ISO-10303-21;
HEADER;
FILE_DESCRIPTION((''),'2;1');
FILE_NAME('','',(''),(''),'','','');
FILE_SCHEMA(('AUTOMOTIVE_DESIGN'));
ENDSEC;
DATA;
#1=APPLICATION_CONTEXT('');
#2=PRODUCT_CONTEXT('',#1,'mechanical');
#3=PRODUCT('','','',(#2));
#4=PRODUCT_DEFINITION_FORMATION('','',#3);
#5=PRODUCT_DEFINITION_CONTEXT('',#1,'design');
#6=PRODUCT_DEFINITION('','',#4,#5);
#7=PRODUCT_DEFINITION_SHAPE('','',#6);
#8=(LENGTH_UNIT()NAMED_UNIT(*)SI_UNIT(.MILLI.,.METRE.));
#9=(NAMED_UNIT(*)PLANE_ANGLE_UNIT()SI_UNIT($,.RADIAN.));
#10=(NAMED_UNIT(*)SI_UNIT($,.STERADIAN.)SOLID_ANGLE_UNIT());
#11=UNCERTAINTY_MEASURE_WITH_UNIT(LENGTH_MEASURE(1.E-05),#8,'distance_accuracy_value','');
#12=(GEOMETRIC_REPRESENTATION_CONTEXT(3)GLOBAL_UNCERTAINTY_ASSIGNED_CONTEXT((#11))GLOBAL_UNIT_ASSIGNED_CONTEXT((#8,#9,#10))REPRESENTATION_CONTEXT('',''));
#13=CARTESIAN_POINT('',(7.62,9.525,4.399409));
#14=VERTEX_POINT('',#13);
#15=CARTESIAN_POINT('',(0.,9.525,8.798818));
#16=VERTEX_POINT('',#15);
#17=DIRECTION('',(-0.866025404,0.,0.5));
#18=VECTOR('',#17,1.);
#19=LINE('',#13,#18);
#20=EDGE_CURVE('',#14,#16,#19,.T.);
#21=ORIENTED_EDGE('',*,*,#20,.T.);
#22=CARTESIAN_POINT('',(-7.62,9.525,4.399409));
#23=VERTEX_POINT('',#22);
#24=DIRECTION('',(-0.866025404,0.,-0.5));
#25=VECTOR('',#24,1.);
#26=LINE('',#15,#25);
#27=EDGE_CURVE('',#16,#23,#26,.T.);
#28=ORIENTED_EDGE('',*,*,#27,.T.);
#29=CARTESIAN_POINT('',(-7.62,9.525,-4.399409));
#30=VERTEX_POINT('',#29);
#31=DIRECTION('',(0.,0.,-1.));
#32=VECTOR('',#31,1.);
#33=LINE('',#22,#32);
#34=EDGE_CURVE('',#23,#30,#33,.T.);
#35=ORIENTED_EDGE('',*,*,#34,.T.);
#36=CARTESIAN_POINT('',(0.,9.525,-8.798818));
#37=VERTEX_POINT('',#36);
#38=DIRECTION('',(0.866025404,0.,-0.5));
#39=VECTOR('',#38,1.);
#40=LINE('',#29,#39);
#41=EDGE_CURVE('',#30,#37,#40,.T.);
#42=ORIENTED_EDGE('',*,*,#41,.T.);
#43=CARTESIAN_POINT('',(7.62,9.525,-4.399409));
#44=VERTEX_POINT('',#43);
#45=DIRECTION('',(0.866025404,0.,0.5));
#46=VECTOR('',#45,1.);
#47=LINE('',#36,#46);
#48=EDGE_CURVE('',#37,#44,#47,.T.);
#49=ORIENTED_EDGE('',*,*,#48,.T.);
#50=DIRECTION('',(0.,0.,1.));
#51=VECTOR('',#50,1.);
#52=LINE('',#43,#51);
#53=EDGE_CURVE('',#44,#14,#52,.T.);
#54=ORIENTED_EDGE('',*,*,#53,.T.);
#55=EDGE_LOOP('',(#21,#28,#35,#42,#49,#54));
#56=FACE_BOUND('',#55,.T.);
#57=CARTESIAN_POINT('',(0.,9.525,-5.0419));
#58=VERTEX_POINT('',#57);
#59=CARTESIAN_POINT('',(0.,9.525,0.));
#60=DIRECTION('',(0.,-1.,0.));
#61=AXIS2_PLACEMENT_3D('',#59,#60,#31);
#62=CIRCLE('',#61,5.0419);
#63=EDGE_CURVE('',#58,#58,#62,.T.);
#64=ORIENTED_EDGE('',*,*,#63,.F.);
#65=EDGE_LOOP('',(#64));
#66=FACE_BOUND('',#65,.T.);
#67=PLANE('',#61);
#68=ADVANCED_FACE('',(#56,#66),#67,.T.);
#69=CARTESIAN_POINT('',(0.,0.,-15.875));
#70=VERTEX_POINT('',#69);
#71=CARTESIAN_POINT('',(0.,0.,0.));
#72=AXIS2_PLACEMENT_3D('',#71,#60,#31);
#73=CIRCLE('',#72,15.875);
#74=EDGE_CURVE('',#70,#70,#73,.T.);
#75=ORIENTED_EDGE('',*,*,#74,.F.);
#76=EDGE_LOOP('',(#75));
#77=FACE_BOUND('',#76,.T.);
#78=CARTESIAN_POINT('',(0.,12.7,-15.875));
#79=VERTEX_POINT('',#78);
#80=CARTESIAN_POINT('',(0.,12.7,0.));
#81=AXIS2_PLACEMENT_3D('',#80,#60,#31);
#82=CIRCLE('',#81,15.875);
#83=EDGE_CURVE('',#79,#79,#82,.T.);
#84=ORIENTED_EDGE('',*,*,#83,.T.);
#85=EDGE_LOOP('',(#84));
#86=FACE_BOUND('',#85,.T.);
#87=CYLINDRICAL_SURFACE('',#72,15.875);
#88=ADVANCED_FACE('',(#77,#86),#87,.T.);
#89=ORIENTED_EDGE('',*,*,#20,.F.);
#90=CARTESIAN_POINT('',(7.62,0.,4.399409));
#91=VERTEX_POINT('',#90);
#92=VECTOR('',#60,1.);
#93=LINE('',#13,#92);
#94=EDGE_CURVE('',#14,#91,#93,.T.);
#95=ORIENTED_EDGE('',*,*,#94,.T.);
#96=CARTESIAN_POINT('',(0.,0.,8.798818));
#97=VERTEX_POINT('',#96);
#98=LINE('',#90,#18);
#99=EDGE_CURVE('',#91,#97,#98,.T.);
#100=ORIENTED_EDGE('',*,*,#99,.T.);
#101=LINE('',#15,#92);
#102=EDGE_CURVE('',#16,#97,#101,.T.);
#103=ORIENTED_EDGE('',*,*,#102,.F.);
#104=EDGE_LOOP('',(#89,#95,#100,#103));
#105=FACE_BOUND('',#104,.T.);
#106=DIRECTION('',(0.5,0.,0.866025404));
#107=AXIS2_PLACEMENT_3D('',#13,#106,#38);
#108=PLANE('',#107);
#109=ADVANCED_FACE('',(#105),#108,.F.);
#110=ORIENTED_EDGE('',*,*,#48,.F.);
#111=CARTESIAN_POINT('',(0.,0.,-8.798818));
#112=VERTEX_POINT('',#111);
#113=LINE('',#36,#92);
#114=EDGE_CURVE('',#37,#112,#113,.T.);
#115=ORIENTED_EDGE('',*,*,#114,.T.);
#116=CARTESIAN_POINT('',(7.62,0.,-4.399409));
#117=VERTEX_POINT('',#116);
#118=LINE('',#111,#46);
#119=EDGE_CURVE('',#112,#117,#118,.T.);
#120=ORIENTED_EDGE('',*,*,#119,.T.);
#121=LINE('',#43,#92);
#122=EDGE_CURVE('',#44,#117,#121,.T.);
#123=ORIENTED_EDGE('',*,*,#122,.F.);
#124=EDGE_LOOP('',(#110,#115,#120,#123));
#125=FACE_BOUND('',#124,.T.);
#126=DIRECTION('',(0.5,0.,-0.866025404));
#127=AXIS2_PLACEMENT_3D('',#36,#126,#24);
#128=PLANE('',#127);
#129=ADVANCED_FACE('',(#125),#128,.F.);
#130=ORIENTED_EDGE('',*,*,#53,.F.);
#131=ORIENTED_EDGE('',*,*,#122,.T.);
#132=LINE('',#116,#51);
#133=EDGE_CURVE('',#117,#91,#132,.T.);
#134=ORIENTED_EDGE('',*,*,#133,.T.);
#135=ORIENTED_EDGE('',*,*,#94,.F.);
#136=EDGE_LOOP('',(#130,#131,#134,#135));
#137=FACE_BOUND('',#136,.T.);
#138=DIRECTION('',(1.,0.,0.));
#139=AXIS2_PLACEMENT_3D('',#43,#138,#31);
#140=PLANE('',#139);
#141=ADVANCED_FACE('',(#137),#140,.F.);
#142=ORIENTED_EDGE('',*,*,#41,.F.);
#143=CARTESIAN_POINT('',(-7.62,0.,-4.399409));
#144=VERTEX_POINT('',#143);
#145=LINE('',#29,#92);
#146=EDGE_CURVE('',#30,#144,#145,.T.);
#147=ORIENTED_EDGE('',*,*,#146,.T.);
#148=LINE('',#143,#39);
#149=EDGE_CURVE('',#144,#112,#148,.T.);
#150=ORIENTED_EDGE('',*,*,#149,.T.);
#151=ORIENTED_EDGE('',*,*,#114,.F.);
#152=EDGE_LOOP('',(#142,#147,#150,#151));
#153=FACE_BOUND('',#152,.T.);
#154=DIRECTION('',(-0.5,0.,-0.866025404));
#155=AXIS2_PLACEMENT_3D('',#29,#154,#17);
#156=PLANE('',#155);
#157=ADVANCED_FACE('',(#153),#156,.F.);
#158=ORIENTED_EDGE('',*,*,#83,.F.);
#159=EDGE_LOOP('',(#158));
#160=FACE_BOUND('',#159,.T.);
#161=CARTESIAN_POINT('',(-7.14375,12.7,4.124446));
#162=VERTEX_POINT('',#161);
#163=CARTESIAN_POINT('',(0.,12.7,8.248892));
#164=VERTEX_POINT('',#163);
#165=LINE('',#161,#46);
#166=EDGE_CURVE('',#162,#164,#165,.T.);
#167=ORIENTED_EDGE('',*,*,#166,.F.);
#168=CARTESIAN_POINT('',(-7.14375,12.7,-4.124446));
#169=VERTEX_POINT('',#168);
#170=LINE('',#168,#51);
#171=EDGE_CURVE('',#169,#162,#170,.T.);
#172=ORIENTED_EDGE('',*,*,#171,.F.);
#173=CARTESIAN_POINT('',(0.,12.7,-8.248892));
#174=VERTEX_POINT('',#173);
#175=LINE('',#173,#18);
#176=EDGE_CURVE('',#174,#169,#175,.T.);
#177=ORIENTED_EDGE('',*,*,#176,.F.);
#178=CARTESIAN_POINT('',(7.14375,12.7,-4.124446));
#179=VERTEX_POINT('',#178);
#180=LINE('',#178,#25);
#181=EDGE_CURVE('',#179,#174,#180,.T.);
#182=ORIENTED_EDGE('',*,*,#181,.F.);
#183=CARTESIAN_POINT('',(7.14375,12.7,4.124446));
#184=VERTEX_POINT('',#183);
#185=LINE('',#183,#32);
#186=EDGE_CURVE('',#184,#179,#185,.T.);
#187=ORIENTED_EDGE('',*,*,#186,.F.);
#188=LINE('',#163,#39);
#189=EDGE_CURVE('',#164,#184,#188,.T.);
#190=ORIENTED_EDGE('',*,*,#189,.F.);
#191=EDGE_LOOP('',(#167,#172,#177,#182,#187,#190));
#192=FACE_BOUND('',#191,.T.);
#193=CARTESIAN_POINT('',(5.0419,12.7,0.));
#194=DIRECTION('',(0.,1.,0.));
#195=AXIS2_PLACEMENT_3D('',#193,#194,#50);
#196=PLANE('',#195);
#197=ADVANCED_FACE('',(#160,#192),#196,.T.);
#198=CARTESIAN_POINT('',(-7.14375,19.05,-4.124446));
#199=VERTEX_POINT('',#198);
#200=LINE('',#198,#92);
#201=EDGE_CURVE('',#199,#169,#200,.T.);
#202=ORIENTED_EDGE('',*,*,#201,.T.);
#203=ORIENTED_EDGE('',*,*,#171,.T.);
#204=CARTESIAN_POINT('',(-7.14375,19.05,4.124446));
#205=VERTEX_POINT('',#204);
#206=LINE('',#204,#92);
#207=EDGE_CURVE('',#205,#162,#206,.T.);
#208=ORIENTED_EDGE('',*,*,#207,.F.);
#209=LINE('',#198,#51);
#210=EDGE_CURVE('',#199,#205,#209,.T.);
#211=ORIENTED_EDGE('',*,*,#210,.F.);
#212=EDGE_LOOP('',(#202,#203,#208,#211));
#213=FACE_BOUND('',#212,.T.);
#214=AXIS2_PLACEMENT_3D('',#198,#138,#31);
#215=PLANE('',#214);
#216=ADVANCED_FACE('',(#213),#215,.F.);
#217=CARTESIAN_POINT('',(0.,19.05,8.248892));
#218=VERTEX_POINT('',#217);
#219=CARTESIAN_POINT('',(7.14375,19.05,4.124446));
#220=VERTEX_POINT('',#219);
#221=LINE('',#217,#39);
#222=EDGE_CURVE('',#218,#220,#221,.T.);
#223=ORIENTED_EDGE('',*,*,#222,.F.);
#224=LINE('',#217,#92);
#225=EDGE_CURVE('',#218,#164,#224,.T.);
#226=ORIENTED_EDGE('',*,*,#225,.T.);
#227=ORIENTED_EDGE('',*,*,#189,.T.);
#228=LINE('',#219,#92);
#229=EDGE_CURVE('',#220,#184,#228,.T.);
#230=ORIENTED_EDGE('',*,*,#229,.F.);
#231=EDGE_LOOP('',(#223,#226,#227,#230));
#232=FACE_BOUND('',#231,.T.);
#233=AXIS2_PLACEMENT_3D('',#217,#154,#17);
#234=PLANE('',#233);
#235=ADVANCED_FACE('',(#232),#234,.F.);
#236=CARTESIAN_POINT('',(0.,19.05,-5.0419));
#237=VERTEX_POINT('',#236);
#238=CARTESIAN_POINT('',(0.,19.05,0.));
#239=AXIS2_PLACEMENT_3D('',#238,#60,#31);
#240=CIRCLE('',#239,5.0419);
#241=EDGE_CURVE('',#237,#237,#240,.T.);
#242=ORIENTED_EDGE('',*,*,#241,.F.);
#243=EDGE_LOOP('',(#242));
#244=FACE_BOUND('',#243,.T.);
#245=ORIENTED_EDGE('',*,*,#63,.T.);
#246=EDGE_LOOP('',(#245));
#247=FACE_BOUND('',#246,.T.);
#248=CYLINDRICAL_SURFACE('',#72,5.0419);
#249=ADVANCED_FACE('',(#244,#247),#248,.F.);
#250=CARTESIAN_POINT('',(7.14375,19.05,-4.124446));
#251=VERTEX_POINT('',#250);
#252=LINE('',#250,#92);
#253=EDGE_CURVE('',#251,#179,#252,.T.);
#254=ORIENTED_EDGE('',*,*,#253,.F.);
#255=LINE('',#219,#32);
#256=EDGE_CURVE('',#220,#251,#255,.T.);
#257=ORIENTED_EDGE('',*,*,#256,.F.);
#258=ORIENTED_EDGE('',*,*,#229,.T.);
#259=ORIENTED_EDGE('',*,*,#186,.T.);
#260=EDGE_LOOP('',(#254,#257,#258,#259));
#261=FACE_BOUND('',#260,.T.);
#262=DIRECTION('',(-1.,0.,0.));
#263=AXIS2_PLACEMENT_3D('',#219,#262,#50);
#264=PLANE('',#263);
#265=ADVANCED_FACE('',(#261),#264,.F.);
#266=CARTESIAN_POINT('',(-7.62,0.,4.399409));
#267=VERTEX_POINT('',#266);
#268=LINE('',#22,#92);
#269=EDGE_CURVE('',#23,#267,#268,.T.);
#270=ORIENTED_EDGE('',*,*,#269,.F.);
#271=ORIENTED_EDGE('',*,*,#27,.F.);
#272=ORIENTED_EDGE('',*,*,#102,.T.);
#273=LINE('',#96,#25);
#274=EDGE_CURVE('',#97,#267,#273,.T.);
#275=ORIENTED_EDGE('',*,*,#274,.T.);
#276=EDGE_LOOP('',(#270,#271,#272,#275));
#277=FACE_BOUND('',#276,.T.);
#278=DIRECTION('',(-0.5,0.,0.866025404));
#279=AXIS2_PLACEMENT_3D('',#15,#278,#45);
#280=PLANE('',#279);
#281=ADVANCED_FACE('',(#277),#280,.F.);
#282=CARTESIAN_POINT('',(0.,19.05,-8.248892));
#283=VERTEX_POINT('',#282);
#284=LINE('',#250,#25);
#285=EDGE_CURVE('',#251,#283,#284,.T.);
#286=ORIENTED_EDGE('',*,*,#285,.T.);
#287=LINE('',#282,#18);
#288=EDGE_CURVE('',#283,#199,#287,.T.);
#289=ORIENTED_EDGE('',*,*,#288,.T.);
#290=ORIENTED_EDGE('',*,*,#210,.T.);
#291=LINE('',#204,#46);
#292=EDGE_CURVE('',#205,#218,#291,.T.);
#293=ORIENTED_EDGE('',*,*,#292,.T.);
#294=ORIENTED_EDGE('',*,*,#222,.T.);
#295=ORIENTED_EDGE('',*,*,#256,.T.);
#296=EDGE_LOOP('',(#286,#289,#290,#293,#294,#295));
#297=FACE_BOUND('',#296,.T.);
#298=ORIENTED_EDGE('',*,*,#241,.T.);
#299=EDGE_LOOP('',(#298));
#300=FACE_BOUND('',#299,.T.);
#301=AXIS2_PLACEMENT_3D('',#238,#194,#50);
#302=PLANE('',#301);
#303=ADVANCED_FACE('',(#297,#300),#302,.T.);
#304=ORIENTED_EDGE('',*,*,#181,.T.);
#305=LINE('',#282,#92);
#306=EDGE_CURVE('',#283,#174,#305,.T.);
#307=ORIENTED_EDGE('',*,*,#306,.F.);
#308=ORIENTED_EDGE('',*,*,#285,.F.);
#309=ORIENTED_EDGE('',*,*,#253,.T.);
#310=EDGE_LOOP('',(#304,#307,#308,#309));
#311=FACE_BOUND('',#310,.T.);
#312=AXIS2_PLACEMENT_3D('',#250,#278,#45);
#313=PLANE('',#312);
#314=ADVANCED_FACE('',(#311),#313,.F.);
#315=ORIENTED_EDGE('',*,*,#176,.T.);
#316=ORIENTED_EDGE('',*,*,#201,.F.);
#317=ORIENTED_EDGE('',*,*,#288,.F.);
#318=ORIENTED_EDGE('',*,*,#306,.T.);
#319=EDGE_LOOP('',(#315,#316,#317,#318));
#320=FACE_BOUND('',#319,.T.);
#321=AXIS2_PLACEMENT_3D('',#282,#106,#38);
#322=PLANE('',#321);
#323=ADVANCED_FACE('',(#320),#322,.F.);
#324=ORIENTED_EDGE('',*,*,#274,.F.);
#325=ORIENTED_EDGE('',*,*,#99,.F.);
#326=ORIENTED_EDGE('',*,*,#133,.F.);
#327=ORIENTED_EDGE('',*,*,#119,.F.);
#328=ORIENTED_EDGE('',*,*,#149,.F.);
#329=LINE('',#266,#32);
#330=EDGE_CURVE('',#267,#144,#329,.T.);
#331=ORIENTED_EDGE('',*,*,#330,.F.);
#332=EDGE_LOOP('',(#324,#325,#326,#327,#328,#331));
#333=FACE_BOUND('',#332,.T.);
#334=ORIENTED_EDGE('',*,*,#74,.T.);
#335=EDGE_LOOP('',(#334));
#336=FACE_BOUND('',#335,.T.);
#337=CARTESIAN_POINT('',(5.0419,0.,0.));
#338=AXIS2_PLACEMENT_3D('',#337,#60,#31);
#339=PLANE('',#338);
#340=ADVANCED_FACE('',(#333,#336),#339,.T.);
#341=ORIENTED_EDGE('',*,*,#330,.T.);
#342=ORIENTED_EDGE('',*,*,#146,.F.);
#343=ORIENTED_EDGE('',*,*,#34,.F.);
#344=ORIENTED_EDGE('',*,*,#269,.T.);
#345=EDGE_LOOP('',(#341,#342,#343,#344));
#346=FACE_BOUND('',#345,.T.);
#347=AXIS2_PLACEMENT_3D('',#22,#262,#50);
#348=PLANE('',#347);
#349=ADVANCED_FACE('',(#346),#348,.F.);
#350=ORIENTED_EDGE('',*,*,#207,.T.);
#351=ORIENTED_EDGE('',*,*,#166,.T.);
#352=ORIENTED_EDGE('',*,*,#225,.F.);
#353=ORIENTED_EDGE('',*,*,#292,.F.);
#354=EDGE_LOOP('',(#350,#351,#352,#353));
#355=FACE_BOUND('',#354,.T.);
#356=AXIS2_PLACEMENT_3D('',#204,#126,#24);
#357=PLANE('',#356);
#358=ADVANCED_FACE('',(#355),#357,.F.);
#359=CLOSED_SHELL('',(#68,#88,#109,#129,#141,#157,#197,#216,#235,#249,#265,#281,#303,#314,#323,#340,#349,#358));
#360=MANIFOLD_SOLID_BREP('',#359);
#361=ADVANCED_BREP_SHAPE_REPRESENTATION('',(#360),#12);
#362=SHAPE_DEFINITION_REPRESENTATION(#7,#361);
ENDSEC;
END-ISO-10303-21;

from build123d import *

# Parameters (mm, degrees)
SKETCH1_W           = 10.8331
SKETCH1_H           = 12.7
CUT_EXTRUDE1_DEPTH  = 9.525
BOSS_EXTRUDE1_DEPTH = 6.35
SKETCH5_R           = 5.0419
CUT_EXTRUDE2_DEPTH  = 26.793821935


with BuildPart() as part:
    # Sketch1 → Revolve1 (revolve)
    with BuildSketch(Plane.XY, mode=Mode.PRIVATE) as revolve1_sk:
        with Locations((10.45845, 6.35)):
            Rectangle(SKETCH1_W, SKETCH1_H)
    revolve(revolve1_sk.sketch.rotate(Axis((0, 0, 0), (0, 1, 0)), 90), axis=Axis((0, 0, 0), (0, 1, 0)))

    # Sketch3 → Cut-Extrude1 (cut)
    with BuildSketch(Plane.XZ):
        Polygon((7.62, -4.399409051), (7.62, 4.399409051), (0, 8.798818102), (-7.62, 4.399409051), (-7.62, -4.399409051), (0, -8.798818102), align=None)
    extrude(amount=-CUT_EXTRUDE1_DEPTH, mode=Mode.SUBTRACT)

    # Sketch4 → Boss-Extrude1 (add)
    with BuildSketch(Plane(origin=(0, 12.7, 0), x_dir=(1, 0, 0), z_dir=(0, 1, 0))):
        Polygon((0, 8.248891971), (-7.14375, 4.124445986), (-7.14375, -4.124445986), (0, -8.248891971), (7.14375, -4.124445986), (7.14375, 4.124445986), align=None)
    extrude(amount=BOSS_EXTRUDE1_DEPTH)

    # Sketch5 → Cut-Extrude2 (cut, through all)
    with BuildSketch(Plane.XZ.offset(-12.7)):
        with Locations(Location((0, 0, 0), (0, 0, 270))):
            Circle(SKETCH5_R)
    extrude(amount=-CUT_EXTRUDE2_DEPTH, mode=Mode.SUBTRACT)


solid = part.part
